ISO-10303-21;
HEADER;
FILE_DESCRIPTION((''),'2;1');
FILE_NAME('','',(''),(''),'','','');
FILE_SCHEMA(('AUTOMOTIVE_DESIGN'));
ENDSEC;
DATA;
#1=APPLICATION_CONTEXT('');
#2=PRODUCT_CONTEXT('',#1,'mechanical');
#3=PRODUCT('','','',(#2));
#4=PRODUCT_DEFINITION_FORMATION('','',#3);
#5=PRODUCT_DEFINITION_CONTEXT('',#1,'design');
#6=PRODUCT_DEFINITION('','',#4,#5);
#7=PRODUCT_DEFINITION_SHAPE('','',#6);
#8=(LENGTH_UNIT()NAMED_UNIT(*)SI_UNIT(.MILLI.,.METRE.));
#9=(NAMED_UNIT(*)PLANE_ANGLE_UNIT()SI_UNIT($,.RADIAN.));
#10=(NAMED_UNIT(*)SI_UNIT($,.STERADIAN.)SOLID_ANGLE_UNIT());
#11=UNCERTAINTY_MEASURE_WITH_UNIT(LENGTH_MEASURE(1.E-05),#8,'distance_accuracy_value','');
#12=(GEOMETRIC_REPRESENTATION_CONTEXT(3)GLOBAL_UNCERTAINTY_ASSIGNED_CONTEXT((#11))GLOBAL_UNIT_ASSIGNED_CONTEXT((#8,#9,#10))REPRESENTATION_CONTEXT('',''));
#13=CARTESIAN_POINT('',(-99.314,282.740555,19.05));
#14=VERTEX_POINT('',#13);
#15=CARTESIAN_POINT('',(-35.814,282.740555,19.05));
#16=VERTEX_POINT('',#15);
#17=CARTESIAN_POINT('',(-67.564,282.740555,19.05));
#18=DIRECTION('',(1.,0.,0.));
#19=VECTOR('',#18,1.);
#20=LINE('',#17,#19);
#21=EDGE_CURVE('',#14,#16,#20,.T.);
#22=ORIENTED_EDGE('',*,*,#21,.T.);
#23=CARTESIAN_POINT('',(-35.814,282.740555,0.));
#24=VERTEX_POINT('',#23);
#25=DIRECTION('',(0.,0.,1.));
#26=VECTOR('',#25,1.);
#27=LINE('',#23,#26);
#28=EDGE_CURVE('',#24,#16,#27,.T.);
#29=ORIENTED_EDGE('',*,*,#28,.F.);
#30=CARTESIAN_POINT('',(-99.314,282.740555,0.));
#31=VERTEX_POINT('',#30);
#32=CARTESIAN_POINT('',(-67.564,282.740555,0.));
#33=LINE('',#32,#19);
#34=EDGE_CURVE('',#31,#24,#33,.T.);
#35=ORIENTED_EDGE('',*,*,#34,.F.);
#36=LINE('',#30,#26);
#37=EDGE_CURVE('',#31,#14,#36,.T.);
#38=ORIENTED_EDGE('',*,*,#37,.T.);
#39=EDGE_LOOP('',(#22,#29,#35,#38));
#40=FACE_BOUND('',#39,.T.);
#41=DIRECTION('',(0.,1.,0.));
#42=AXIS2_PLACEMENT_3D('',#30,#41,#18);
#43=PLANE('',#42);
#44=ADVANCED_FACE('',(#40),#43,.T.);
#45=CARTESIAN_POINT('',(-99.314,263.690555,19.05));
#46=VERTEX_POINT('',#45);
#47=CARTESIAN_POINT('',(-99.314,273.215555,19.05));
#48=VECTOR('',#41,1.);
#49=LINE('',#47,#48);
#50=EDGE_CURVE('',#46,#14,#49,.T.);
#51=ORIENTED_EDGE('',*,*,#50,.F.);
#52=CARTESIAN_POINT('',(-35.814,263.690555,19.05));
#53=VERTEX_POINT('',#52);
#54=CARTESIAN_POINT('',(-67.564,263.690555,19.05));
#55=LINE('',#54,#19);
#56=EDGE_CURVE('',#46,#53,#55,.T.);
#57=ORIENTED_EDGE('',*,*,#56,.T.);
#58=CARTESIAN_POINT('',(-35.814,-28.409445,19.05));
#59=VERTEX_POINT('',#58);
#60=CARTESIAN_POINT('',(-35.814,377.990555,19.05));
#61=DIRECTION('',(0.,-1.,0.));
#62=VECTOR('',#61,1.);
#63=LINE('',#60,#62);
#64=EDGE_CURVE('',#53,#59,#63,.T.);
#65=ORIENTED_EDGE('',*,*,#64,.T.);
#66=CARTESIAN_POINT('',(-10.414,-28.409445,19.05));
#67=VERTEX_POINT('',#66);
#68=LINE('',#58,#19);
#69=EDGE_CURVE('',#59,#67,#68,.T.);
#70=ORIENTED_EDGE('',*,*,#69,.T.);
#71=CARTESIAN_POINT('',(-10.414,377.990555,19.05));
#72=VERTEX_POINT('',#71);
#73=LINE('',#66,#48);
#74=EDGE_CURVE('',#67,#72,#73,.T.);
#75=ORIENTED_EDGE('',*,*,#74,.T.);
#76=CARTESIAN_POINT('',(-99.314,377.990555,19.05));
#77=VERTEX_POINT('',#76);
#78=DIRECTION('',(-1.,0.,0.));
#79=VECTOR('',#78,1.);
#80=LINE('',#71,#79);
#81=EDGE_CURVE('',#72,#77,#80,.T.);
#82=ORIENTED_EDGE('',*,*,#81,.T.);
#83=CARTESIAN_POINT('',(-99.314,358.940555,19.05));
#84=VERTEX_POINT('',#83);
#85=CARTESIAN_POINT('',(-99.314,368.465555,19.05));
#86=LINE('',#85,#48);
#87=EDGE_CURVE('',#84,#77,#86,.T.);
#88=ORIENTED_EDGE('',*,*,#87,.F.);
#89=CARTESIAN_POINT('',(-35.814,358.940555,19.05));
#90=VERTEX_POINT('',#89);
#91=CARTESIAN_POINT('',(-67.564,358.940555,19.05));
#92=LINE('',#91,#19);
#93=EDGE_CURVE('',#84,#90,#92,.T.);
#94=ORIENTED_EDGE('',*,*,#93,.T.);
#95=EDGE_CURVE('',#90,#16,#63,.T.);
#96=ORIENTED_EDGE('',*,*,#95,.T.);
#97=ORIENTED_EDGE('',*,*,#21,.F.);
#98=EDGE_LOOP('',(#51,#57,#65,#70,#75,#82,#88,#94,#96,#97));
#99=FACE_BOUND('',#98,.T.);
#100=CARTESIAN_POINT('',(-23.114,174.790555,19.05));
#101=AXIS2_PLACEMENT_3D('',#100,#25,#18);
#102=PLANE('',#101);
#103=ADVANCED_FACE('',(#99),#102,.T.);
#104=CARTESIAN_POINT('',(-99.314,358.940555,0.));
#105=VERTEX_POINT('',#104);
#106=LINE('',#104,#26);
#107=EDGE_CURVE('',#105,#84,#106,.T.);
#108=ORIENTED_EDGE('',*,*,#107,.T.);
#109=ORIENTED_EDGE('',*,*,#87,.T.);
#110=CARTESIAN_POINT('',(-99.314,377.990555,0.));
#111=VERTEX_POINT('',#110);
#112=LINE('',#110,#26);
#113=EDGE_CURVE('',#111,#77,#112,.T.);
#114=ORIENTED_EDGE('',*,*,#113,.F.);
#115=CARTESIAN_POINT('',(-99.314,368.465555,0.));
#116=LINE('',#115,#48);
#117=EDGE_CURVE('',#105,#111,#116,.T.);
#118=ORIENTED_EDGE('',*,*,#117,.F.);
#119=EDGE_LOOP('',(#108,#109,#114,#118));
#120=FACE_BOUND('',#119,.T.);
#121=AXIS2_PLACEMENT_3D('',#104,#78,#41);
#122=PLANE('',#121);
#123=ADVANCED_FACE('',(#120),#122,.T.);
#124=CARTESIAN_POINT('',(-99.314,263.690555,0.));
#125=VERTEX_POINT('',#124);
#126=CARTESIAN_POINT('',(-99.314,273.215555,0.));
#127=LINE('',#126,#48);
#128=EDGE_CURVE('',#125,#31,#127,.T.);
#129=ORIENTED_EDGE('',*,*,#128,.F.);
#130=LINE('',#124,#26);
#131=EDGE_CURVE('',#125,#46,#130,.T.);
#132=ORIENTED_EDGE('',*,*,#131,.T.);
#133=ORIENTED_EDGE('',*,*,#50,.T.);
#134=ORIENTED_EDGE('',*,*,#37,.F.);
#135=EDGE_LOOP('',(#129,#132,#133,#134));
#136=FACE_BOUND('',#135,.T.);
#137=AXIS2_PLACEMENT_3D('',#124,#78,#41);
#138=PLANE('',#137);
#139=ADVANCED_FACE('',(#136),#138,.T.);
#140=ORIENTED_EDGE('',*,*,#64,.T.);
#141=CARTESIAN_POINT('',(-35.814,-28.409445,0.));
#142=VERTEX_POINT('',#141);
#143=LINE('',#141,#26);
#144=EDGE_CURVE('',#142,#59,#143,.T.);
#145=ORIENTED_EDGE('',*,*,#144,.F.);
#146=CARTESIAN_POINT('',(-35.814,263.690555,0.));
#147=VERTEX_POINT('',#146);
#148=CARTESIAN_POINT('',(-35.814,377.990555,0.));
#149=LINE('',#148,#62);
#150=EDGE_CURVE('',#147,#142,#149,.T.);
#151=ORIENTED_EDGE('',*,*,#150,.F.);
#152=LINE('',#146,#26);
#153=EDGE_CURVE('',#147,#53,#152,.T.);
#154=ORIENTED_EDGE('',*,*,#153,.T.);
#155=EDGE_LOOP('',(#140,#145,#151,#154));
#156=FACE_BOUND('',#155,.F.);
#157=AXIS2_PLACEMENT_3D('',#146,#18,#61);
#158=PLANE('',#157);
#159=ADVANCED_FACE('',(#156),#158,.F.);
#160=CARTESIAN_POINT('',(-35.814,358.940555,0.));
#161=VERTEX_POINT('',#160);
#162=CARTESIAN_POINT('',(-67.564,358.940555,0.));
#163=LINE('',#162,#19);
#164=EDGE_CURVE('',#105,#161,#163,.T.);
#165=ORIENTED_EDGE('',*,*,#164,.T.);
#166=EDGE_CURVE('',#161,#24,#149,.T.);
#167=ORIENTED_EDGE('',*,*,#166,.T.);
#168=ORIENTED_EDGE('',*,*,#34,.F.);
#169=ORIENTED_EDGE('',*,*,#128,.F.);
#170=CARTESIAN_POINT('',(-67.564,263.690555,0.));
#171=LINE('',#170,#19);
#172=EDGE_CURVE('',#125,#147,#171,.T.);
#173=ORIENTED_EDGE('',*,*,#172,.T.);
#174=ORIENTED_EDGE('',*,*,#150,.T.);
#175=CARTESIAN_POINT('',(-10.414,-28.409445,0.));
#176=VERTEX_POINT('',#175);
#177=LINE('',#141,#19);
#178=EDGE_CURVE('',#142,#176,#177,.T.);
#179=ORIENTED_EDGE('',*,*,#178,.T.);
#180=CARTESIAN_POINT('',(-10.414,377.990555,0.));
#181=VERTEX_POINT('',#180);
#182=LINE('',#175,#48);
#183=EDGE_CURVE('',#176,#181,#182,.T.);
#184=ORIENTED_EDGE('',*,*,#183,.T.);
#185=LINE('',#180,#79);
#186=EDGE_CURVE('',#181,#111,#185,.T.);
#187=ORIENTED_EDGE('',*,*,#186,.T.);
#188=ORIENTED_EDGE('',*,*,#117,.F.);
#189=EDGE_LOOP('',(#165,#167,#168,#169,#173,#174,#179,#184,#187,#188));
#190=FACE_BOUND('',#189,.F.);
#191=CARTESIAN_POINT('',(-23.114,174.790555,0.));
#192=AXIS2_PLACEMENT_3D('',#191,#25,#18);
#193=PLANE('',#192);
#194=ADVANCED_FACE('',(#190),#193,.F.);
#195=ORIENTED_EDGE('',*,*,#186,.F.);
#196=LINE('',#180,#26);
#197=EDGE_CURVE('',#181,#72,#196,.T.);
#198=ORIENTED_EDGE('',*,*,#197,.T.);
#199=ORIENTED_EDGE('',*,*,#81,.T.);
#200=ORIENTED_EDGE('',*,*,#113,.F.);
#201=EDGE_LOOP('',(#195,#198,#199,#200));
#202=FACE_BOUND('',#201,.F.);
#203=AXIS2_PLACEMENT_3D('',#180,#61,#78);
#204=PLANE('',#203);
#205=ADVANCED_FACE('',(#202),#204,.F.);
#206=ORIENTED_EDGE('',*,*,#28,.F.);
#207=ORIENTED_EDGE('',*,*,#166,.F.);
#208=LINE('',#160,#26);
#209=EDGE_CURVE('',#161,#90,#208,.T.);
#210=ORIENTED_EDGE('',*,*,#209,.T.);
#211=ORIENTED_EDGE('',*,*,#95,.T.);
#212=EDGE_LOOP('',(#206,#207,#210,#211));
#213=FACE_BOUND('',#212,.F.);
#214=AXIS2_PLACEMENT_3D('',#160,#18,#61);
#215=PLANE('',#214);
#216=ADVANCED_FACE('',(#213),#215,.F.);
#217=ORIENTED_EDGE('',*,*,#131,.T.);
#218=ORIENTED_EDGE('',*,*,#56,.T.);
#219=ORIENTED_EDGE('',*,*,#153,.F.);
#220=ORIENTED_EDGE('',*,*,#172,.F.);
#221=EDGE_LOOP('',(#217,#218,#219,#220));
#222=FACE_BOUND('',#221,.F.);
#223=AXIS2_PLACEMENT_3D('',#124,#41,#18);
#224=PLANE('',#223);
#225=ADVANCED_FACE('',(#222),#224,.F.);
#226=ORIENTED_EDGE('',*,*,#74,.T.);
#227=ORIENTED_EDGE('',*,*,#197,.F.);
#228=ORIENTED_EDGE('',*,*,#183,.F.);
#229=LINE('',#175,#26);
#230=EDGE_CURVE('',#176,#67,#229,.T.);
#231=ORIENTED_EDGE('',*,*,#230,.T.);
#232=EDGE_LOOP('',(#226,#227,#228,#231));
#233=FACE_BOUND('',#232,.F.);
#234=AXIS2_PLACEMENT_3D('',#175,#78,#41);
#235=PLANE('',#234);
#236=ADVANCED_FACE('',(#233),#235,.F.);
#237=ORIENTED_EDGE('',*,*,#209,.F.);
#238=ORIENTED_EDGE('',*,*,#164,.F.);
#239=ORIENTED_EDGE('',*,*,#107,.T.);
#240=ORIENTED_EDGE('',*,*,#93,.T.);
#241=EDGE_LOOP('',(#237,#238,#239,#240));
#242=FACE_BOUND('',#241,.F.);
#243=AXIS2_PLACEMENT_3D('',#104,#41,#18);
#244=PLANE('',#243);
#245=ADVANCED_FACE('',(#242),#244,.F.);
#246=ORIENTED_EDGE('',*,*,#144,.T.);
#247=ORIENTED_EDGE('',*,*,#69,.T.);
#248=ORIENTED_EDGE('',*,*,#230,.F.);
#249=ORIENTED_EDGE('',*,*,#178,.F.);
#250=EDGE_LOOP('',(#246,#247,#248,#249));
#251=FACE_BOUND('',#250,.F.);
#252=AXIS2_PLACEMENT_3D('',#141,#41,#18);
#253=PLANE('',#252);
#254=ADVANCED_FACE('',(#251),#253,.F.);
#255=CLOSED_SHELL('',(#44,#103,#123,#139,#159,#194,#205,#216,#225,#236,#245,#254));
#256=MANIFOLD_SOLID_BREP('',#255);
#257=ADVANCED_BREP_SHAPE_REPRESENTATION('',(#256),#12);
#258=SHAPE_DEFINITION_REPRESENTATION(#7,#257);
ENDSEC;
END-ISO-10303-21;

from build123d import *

# Parameters (mm, degrees)
F0_W     = 63.5
F0_H     = 19.05
F1_DEPTH = 19.05


with BuildPart() as f1:
    # F0 (on Top) → F1 (new body)
    with BuildSketch(Plane.XY):
        Polygon((-35.814, 263.690555), (-35.814, -28.409445), (-10.414, -28.409445), (-10.414, 377.990555), (-35.814, 377.990555), (-35.814, 358.940555), (-35.814, 282.740555), align=None)
        with Locations((-67.564, 273.215555)):
            Rectangle(F0_W, F0_H)
        with Locations((-67.564, 368.465555)):
            Rectangle(F0_W, F0_H)
    extrude(amount=F1_DEPTH)


solid = f1.part
